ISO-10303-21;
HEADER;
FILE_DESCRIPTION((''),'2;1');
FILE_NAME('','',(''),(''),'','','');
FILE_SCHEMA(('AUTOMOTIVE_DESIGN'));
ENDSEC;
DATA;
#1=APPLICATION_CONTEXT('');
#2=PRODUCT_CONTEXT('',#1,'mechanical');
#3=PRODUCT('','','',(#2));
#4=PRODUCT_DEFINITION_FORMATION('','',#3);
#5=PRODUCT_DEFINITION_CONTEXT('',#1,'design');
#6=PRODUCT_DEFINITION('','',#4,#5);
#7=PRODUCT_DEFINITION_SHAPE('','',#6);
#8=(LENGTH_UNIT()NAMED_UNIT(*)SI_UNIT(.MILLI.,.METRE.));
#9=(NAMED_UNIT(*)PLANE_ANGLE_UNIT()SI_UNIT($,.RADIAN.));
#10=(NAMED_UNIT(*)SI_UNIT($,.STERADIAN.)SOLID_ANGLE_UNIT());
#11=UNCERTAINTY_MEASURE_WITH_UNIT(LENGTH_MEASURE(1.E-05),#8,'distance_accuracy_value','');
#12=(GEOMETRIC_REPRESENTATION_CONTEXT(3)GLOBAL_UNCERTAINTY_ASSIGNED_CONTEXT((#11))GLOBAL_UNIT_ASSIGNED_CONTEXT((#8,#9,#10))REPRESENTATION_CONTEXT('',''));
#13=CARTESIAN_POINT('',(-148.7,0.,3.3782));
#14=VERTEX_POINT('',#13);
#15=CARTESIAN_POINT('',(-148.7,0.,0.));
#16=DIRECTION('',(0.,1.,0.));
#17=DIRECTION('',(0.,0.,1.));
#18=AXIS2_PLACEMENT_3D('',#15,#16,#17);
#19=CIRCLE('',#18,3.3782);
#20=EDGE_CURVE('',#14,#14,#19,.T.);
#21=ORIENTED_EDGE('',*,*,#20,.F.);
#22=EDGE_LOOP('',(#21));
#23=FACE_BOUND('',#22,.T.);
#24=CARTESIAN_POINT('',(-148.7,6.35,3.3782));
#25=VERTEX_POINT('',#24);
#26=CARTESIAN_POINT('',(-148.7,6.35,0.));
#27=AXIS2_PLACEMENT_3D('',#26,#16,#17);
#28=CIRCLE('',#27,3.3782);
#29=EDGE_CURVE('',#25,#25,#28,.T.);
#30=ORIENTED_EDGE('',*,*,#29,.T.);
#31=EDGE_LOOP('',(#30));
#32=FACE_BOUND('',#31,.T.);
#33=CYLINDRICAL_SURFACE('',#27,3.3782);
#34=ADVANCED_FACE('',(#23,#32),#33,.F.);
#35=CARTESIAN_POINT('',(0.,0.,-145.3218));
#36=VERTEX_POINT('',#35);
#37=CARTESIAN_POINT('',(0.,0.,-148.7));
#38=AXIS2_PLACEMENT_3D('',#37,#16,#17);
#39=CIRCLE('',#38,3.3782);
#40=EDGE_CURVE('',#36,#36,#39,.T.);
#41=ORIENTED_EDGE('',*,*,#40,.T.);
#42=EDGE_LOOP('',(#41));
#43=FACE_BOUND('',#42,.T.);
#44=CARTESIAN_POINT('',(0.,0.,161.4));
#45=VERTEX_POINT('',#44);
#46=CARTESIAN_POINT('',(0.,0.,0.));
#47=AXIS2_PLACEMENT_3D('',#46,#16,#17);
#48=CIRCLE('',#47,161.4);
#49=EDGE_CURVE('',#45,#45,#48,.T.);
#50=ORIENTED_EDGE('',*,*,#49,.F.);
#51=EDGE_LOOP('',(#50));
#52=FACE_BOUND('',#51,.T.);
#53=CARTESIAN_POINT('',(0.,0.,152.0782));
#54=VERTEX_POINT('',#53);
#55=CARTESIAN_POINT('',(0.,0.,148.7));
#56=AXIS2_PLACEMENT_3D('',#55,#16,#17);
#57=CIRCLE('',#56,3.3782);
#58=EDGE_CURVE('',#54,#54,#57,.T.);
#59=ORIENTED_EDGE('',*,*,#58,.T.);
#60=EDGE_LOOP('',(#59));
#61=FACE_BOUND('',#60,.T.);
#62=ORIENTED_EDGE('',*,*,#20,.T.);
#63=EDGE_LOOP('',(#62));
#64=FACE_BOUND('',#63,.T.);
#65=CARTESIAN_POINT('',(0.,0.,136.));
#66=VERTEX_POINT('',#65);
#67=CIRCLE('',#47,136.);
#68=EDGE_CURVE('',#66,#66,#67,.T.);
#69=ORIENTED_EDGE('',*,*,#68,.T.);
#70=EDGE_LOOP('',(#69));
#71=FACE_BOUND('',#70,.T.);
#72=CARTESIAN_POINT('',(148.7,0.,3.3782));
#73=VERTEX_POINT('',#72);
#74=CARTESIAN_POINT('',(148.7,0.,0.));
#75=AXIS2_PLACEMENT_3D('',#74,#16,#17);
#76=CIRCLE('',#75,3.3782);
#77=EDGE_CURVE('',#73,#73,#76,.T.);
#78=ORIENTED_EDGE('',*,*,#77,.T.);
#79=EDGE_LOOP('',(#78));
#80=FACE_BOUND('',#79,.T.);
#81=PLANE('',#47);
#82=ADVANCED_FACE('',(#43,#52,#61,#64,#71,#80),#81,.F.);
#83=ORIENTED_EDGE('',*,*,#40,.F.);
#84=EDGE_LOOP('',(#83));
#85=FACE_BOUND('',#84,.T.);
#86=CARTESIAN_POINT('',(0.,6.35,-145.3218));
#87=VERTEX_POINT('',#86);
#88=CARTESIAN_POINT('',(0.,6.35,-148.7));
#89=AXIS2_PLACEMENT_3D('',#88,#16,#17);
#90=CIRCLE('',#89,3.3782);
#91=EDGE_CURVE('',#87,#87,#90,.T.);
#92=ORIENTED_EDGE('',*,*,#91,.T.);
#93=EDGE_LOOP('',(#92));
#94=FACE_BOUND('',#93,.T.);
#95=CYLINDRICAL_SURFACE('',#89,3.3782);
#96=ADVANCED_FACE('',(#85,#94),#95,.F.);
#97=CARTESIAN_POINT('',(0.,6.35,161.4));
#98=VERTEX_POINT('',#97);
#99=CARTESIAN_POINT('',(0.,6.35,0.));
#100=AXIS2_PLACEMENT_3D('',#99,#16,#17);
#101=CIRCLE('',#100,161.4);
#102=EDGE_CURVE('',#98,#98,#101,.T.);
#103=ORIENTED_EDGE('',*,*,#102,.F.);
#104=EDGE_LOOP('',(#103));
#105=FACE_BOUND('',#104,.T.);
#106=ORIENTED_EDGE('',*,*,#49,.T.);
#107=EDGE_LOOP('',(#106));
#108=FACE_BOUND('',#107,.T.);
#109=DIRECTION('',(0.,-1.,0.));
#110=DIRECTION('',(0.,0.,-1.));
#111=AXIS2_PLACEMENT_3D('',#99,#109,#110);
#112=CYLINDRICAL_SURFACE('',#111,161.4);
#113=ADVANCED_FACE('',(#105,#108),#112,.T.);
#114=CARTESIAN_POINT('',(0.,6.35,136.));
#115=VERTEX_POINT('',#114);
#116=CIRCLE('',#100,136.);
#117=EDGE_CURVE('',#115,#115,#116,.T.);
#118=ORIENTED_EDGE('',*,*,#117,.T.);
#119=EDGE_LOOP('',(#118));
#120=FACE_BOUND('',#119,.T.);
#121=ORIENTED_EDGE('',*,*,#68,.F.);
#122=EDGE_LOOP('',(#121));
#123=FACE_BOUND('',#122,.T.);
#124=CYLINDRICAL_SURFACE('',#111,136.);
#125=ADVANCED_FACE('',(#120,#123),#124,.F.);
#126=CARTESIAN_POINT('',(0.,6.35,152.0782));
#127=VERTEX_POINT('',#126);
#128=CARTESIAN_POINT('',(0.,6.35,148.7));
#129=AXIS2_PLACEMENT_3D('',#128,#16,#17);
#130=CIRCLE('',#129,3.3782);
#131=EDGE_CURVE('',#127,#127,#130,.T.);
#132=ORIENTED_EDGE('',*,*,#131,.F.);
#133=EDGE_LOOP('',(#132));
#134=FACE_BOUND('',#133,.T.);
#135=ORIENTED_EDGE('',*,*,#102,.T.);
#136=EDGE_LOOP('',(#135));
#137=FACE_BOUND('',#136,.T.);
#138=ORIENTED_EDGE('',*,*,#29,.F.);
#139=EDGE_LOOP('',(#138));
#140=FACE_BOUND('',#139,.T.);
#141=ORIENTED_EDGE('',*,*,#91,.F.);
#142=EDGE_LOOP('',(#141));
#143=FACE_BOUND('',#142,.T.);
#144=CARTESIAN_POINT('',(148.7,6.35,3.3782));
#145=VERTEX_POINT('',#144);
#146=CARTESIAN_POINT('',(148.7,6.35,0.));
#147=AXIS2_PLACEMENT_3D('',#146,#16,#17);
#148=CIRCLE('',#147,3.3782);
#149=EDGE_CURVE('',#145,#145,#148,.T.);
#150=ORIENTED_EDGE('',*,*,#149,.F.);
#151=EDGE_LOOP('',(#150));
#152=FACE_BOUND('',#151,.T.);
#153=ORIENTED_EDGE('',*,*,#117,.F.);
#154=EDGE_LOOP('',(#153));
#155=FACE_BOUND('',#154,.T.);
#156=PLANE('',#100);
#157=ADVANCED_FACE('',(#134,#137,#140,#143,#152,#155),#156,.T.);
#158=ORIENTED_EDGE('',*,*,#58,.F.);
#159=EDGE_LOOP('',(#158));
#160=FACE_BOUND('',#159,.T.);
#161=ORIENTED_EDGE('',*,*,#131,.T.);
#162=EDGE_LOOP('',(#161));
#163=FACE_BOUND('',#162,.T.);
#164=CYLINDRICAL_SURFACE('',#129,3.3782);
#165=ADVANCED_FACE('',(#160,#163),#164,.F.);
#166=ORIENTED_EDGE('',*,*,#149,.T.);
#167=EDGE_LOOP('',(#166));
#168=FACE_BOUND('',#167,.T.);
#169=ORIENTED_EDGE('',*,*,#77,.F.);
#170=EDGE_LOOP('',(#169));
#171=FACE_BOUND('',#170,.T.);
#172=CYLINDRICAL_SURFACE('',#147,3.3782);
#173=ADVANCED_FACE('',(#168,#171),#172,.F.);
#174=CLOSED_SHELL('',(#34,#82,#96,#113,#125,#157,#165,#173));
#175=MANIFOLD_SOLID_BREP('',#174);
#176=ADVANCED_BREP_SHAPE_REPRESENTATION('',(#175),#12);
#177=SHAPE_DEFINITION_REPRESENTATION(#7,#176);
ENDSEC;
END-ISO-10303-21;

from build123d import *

# Parameters (mm, degrees)
SKETCH1_R               = 161.4
SKETCH1_R_2             = 136
BOSS_EXTRUDE1_DEPTH     = 6.35
F_1_4_CLEARANCE_HOLE1_D = 6.7564
CIRPATTERN1_COUNT       = 4


with BuildPart() as part:
    # Sketch1 → Boss-Extrude1 (new body)
    with BuildSketch(Plane(origin=(0, 0, 0), x_dir=(1, 0, 0), z_dir=(0, 1, 0))):
        with Locations(Location((0, 0, 0), (0, 0, 270))):
            Circle(SKETCH1_R)
        with Locations(Location((0, 0, 0), (0, 0, 270))):
            Circle(SKETCH1_R_2, mode=Mode.SUBTRACT)
    extrude(amount=BOSS_EXTRUDE1_DEPTH)

    # 1/4 Clearance Hole1 (through all)
    with Locations(Plane(origin=(0, 6.35, 0), x_dir=(1, 0, 0), z_dir=(0, 1, 0))):
        with Locations((0, -148.7)):
            f_1_4_clearance_hole1 = Hole(F_1_4_CLEARANCE_HOLE1_D / 2)

    # CirPattern1: 1/4 Clearance Hole1 ×4 about axis
    cirpattern1_axis = Axis((0, 0, 0), (0, 1, 0))
    for i in range(1, CIRPATTERN1_COUNT):
        add(f_1_4_clearance_hole1.rotate(cirpattern1_axis, i * 360 / CIRPATTERN1_COUNT), mode=Mode.SUBTRACT)


solid = part.part
